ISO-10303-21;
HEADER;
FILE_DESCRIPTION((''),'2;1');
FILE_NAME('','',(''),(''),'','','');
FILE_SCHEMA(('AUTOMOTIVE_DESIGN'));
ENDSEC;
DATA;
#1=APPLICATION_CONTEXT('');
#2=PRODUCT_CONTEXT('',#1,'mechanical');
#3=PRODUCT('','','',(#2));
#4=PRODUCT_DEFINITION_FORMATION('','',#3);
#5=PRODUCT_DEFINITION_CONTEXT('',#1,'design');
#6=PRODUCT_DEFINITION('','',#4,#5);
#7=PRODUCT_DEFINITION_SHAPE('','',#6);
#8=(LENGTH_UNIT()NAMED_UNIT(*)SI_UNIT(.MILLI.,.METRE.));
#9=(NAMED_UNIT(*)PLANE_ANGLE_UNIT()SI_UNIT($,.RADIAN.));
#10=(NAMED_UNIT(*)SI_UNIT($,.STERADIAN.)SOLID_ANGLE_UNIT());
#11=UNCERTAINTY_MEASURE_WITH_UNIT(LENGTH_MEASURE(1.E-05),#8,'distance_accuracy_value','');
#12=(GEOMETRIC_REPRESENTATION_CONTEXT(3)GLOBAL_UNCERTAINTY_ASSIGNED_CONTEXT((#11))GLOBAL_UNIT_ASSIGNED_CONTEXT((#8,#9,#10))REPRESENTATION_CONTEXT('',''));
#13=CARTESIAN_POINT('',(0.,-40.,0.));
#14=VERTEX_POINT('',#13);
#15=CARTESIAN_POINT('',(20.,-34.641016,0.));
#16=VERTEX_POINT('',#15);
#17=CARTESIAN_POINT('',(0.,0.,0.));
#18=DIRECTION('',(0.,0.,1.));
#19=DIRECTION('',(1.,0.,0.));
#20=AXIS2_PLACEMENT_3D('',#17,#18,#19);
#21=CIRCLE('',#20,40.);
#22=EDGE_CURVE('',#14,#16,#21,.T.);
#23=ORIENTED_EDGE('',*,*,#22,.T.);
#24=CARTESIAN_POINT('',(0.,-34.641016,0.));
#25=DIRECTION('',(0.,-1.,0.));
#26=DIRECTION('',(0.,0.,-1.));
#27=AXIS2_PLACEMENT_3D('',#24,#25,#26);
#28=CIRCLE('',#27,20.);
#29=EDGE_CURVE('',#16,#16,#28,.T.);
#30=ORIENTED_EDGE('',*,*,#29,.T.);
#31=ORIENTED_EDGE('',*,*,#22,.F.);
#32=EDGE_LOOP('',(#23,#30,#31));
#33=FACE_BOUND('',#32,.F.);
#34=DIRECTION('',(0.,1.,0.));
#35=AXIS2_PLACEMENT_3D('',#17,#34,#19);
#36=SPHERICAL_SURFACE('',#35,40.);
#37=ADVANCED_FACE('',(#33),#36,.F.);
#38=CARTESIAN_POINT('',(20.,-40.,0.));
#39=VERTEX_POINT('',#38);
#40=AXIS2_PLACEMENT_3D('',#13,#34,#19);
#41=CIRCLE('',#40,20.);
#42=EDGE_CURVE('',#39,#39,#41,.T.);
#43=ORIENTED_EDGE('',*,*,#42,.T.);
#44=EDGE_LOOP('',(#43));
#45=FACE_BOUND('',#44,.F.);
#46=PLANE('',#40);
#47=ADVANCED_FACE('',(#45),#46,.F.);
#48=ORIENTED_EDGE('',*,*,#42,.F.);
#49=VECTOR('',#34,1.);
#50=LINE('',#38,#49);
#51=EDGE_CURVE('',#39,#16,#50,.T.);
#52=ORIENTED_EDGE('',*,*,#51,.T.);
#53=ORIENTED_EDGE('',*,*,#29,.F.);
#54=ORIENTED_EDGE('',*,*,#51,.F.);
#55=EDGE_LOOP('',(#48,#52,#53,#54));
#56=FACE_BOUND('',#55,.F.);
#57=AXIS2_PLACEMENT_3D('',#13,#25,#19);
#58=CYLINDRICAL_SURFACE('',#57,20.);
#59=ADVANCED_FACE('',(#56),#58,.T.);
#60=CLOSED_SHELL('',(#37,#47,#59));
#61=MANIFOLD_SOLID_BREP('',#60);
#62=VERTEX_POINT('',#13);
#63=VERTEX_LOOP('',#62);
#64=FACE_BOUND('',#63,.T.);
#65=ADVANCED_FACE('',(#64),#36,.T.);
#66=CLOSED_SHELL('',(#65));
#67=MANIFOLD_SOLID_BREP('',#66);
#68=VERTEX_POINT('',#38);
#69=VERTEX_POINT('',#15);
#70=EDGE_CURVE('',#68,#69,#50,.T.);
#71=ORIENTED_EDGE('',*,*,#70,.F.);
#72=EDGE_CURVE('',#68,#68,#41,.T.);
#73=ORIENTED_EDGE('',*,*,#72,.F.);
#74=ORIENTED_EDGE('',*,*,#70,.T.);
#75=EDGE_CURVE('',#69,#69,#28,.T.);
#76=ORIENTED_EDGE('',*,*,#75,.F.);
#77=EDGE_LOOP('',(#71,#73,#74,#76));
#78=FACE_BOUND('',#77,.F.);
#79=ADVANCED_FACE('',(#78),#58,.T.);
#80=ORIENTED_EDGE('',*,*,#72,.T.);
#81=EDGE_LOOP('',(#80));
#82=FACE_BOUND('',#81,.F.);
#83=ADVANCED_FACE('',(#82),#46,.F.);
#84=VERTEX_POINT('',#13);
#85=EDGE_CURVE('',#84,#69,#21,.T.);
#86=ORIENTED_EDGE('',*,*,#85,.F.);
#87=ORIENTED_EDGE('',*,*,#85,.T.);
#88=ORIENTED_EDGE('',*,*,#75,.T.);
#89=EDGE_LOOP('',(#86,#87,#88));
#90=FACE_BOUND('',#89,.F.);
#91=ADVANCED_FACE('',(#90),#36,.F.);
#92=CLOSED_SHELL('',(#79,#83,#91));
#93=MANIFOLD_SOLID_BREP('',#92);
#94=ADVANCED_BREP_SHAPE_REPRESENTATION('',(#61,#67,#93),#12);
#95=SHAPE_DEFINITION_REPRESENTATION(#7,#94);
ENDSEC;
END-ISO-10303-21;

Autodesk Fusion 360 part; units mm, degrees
sphere "SpherePrimitive1" add diameter 80 placed x (1, 0, 0) y (0, 0, -1) z (0, 1, 0) at (0, 0, 0) makes body 1 in component "sphere"
ref_plane "WorkPlane1" through (0, -40, 0) normal (0, 1, 0) x (0, 0, 1) in component "holder"
sketch "Sketch1" plane through (0, -40, 0) normal (0, 1, 0) x (1, 0, 0) in component "holder"
  circle A0 centre (0, 0) radius 20
  dimension "d3" = 40
extrude "Extrude1" add sketch "Sketch1" along normal blind 10 separate body makes body 2 in component "holder"
combine "Combine1" operation cut target body 2 tool bodies 1 keep tools in component "holder"
ref_plane "WorkPlane1" through (0, -40, 0) normal (0, 1, 0) x (0, 0, 1) in component "holder (1)"
sketch "Sketch1 (2)" plane through (0, -40, 0) normal (0, 1, 0) x (1, 0, 0) in component "holder (1)"
  circle A0 centre (0, 0) radius 20
  dimension "d3_1" = 40
extrude "Extrude1'" add sketch "Sketch1 (2)" along normal blind 10 separate body makes body 3 in component "holder (1)"
combine "Combine1'" operation cut target body 3 tool bodies 1 keep tools in component "holder (1)"
component "sphere" placed x (1, 0, 0) y (0, 1, 0) z (0, 0, 1) at (0, 0, 0)
component "holder" placed x (1, 0, 0) y (0, 1, 0) z (0, 0, 1) at (0, 0, 0)
component "holder (1)" placed x (1, 0, 0) y (0, 1, 0) z (0, 0, 1) at (0, 0, 0)
